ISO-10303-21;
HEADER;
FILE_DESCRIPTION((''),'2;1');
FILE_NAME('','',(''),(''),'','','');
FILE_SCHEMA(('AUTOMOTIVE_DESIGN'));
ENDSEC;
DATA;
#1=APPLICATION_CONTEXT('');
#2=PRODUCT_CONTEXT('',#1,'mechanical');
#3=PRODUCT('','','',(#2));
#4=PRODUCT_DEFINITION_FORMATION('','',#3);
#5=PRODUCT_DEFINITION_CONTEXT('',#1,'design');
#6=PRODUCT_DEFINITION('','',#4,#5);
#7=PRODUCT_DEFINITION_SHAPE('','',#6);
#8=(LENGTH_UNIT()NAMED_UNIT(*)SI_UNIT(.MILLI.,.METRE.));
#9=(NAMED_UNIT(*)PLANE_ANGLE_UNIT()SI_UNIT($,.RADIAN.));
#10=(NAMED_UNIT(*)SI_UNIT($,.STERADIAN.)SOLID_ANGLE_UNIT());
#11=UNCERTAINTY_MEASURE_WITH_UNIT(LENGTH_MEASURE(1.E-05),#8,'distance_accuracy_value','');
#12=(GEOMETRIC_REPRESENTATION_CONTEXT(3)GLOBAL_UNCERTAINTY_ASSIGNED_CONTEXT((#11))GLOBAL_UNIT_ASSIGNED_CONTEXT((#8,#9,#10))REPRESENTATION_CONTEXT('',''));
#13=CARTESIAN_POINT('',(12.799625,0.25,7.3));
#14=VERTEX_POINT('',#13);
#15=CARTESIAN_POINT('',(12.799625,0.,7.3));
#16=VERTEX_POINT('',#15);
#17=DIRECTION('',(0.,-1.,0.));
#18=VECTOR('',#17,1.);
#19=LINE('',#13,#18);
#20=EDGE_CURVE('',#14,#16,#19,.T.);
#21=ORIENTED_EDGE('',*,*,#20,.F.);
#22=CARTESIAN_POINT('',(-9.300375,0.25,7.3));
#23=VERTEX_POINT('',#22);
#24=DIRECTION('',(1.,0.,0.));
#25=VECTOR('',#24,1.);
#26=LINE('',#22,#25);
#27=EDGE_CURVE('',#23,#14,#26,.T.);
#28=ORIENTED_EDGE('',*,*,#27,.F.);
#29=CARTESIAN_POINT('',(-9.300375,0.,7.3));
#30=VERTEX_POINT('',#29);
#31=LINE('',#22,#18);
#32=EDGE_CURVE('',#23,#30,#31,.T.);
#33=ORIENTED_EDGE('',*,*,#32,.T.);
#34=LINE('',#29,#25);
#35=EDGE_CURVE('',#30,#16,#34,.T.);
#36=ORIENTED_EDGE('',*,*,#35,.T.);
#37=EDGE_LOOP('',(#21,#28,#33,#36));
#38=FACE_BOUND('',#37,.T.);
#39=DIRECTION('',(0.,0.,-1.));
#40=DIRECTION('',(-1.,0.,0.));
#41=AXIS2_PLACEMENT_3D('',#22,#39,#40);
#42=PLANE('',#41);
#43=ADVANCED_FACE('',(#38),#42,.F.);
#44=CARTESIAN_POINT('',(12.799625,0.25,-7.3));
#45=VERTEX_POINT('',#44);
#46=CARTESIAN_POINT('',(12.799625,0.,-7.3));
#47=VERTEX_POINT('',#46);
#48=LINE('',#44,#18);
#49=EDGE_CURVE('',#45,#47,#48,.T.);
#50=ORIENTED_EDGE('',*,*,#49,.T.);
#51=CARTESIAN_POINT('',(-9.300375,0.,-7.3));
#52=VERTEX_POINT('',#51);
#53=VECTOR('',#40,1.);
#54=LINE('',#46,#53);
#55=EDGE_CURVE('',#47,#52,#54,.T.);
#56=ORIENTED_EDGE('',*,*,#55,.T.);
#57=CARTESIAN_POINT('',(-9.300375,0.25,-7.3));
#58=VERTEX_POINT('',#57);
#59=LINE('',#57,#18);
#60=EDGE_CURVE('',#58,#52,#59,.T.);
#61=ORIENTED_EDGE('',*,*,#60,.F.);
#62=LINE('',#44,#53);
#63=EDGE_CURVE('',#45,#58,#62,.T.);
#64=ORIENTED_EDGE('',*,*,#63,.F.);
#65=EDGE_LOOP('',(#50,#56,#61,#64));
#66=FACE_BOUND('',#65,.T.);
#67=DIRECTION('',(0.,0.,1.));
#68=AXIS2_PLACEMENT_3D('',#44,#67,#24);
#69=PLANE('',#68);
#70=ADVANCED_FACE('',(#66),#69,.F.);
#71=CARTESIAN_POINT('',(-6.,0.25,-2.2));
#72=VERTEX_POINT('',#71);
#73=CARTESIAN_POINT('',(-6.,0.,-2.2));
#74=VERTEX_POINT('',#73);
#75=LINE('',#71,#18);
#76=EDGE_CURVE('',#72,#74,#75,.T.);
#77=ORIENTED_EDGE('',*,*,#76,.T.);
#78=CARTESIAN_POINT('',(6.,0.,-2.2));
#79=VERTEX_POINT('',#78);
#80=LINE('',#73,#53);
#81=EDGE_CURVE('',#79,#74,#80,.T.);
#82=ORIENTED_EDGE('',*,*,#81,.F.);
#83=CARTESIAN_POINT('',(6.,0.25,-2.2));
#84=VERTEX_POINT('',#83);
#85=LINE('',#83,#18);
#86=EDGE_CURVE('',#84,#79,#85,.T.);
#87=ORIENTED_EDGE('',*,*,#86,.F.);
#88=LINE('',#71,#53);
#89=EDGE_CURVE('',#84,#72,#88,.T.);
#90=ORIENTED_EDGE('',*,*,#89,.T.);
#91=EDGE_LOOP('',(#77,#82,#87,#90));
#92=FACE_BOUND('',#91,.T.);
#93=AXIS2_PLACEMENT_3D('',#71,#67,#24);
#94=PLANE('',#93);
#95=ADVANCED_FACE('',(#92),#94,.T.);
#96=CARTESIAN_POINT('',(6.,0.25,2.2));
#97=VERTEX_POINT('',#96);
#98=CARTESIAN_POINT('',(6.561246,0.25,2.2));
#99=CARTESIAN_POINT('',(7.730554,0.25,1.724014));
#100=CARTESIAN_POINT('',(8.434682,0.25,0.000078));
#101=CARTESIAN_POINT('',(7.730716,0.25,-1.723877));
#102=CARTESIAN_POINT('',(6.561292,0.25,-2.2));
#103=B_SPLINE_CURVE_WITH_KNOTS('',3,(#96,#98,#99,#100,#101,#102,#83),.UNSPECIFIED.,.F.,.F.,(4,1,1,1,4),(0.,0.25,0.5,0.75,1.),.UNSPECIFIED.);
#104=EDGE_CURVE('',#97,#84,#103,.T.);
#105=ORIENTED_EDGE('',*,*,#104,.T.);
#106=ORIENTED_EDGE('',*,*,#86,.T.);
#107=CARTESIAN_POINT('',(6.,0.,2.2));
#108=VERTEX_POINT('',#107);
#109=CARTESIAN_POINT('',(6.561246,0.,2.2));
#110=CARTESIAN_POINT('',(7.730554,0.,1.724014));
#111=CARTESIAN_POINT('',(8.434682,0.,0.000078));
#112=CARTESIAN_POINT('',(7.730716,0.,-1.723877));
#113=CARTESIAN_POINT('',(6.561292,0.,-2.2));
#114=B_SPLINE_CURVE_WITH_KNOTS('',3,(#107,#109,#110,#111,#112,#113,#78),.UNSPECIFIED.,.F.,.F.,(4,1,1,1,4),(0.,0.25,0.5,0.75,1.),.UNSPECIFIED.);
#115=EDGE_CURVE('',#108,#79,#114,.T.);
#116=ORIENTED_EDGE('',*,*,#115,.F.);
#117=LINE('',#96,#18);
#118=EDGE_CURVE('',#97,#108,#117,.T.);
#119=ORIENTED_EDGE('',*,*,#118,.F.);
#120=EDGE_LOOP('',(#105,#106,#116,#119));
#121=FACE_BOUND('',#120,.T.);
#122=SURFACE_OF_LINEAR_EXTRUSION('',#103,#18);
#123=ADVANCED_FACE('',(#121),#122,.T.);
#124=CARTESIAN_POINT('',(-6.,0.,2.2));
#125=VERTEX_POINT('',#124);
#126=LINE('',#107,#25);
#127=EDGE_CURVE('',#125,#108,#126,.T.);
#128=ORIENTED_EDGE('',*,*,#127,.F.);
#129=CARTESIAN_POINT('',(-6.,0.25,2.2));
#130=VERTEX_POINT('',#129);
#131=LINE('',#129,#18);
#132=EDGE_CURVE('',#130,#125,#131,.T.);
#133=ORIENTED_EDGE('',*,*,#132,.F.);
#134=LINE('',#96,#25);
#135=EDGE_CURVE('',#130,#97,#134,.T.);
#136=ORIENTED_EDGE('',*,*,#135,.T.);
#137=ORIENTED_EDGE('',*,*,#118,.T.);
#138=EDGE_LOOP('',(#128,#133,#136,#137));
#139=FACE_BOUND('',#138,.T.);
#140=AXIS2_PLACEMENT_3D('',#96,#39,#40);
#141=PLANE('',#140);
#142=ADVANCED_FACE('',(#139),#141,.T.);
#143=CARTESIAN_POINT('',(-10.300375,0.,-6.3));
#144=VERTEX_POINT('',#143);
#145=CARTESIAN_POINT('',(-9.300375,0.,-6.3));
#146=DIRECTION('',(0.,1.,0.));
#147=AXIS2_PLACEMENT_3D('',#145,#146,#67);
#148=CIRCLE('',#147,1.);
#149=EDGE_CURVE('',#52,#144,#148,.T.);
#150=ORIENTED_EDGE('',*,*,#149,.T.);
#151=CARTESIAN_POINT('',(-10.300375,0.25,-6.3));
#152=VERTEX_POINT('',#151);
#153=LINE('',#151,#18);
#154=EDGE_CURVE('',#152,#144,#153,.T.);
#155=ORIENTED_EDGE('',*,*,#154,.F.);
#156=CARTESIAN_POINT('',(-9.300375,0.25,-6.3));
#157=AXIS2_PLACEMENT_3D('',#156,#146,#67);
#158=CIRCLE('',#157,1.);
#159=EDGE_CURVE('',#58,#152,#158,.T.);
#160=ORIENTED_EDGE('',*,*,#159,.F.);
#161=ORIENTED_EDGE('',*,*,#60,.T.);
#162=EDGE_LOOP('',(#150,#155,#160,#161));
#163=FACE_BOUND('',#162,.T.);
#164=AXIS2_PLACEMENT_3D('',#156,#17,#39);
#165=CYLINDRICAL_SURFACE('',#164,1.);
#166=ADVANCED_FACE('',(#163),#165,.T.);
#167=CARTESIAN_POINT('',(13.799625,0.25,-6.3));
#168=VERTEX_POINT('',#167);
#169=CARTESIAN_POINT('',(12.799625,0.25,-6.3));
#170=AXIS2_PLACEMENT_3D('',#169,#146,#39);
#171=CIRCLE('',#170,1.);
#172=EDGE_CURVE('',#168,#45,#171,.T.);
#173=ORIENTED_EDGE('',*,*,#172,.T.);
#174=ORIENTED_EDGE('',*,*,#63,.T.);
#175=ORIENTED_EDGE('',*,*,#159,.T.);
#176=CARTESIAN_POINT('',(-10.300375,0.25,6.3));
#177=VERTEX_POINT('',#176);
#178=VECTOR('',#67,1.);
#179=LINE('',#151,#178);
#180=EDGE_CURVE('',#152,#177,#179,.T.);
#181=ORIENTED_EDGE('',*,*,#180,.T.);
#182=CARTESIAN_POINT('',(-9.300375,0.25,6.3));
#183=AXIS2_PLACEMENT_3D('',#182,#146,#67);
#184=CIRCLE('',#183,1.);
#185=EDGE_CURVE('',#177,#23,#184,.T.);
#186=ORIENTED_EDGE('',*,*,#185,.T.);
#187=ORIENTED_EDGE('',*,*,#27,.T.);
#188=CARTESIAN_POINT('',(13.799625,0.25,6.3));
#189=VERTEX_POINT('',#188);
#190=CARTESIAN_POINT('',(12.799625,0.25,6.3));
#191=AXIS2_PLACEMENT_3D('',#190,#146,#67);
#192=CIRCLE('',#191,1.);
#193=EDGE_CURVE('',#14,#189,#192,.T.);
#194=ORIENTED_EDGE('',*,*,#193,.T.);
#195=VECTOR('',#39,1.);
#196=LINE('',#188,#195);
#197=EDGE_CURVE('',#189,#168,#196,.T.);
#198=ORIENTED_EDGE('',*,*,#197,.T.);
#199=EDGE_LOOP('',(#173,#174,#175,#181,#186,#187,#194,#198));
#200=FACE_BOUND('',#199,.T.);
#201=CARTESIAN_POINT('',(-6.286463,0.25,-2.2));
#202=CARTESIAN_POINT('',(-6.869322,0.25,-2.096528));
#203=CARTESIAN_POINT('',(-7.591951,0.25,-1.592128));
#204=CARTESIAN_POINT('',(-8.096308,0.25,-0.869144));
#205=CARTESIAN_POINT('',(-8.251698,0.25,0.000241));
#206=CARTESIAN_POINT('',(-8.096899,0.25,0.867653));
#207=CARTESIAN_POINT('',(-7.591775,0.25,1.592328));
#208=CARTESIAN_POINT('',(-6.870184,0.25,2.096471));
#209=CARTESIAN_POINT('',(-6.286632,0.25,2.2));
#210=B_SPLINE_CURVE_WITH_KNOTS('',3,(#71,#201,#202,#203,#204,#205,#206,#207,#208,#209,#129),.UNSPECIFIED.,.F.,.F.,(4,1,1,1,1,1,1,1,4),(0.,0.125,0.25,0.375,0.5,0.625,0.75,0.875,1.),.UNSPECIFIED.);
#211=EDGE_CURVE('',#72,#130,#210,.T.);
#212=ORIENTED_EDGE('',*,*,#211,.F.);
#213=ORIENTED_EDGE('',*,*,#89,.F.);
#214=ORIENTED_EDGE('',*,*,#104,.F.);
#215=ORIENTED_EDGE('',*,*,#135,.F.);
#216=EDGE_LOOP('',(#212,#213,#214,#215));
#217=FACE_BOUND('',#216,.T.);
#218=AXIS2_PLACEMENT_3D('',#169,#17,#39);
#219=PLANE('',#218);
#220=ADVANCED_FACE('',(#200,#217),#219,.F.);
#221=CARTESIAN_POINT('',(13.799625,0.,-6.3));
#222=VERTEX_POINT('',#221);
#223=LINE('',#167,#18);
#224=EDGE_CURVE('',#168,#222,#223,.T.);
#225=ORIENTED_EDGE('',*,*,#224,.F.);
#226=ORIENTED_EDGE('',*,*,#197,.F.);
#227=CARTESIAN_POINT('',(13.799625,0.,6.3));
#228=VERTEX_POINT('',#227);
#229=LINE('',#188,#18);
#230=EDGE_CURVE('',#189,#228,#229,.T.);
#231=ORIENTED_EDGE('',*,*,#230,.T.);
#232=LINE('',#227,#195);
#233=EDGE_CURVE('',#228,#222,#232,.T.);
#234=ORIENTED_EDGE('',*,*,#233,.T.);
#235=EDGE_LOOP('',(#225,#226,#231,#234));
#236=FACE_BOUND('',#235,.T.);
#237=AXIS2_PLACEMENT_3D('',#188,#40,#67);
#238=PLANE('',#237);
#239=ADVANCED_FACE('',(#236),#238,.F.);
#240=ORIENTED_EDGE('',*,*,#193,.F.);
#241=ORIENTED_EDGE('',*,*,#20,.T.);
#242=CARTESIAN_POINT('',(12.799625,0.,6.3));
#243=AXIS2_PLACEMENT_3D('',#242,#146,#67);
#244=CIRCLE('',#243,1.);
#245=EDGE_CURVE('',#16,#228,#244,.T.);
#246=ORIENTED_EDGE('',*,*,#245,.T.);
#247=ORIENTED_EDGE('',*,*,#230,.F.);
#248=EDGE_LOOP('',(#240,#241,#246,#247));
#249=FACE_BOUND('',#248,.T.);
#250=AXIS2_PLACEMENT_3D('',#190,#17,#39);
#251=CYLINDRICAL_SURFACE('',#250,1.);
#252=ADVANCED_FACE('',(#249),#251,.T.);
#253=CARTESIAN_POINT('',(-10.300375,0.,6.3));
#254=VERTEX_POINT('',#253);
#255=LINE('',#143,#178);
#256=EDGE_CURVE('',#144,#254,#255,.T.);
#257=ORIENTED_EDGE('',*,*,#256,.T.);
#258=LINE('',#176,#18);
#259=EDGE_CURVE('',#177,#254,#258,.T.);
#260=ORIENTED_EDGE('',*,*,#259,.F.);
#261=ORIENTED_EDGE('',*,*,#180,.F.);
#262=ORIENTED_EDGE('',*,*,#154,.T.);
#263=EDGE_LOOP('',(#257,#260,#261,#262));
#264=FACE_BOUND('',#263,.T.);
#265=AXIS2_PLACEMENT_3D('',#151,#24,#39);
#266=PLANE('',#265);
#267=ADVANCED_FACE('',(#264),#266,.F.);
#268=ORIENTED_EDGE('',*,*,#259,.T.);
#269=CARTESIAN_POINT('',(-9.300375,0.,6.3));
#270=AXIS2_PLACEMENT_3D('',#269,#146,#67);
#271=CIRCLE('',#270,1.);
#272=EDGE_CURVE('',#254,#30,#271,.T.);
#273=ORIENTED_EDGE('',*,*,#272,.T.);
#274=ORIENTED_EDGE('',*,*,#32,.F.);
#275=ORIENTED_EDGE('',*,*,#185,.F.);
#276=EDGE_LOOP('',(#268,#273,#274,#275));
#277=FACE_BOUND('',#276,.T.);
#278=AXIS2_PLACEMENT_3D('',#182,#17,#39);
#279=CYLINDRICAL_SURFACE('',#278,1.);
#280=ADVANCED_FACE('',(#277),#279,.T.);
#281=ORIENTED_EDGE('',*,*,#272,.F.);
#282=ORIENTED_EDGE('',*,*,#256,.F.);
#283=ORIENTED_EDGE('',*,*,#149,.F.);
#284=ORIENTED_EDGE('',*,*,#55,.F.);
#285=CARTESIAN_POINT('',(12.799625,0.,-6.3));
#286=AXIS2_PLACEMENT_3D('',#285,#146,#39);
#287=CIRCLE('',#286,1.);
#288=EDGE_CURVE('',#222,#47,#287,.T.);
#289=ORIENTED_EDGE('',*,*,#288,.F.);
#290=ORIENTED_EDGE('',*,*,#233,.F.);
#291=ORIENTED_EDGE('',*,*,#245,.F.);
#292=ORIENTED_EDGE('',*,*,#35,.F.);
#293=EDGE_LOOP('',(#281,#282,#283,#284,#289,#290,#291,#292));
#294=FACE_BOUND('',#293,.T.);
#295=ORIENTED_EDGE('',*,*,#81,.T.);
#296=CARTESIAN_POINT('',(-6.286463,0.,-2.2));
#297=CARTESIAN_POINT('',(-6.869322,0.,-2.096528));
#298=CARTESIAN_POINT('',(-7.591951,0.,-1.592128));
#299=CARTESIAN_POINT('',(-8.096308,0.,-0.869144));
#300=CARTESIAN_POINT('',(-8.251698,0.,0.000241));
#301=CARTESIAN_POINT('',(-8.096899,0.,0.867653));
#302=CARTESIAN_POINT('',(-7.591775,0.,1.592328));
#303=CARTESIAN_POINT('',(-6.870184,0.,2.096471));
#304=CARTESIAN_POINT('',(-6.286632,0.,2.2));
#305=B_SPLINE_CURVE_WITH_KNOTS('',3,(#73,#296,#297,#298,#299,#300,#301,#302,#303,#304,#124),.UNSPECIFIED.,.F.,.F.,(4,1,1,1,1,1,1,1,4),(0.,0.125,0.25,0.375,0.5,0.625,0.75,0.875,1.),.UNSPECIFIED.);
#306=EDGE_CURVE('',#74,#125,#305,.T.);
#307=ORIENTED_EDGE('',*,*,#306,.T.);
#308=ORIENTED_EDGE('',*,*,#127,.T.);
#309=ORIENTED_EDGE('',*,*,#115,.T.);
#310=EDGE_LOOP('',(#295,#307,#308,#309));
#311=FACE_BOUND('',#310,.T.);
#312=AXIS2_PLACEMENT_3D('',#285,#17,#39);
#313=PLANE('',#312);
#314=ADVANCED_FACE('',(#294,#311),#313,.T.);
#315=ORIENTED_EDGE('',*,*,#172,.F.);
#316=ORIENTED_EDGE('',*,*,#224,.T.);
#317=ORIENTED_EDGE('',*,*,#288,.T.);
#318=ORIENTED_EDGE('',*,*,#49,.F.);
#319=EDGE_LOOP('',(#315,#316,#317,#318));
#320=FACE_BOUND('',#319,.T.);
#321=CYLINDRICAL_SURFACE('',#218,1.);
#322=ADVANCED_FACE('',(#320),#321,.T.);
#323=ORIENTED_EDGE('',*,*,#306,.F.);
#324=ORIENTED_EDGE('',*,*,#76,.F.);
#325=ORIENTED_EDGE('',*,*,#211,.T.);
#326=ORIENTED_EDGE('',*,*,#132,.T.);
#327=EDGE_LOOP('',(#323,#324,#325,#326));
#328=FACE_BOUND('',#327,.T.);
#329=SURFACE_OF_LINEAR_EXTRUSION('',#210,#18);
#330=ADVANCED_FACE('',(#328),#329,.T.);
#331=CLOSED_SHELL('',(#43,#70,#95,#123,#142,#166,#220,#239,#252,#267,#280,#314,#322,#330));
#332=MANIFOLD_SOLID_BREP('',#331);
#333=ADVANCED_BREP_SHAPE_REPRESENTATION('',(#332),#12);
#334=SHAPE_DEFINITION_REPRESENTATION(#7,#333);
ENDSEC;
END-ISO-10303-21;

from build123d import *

# Parameters (mm, degrees)
BOSS_EXTRUDE1_DEPTH = 0.25


with BuildPart() as part:
    # Sketch1 → Boss-Extrude1 (new body)
    with BuildSketch(Plane(origin=(0, 0, 0), x_dir=(1, 0, 0), z_dir=(0, 1, 0))):
        with BuildLine():
            Line((12.799624508, 7.3), (-9.300375492, 7.3))
            ThreePointArc((-9.300375492, 7.3), (-10.007482273, 7.007106781), (-10.300375492, 6.3))
            Line((-10.300375492, 6.3), (-10.300375492, -6.3))
            ThreePointArc((-10.300375492, -6.3), (-10.007482273, -7.007106781), (-9.300375492, -7.3))
            Line((-9.300375492, -7.3), (12.799624508, -7.3))
            ThreePointArc((12.799624508, -7.3), (13.506731289, -7.007106781), (13.799624508, -6.3))
            Line((13.799624508, -6.3), (13.799624508, 6.3))
            ThreePointArc((13.799624508, 6.3), (13.506731289, 7.007106781), (12.799624508, 7.3))
        make_face()
        with BuildLine():
            Line((-6, 2.2), (6, 2.2))
            add(Edge.make_bspline(
                [(6, 2.2), (6.561292129, 2.2), (7.730716323, 1.723876992), (8.434682325, -7.8217e-05), (7.730554293, -1.724014124), (6.561245935, -2.2), (6, -2.2)],
                knots=[0, 0, 0, 0, 0.25, 0.5, 0.75, 1, 1, 1, 1], degree=3))
            Line((6, -2.2), (-6, -2.2))
            add(Edge.make_bspline(
                [(-6, -2.2), (-6.286632035, -2.2), (-6.870184339, -2.096470778), (-7.591774941, -1.592328061), (-8.096898813, -0.867652922), (-8.251698338, -0.000240671), (-8.096307718, 0.869143795), (-7.591951498, 1.592127779), (-6.869322234, 2.096528001), (-6.286463211, 2.2), (-6, 2.2)],
                knots=[0, 0, 0, 0, 0.125, 0.25, 0.375, 0.5, 0.625, 0.75, 0.875, 1, 1, 1, 1], degree=3))
        make_face(mode=Mode.SUBTRACT)
    extrude(amount=BOSS_EXTRUDE1_DEPTH)


solid = part.part
